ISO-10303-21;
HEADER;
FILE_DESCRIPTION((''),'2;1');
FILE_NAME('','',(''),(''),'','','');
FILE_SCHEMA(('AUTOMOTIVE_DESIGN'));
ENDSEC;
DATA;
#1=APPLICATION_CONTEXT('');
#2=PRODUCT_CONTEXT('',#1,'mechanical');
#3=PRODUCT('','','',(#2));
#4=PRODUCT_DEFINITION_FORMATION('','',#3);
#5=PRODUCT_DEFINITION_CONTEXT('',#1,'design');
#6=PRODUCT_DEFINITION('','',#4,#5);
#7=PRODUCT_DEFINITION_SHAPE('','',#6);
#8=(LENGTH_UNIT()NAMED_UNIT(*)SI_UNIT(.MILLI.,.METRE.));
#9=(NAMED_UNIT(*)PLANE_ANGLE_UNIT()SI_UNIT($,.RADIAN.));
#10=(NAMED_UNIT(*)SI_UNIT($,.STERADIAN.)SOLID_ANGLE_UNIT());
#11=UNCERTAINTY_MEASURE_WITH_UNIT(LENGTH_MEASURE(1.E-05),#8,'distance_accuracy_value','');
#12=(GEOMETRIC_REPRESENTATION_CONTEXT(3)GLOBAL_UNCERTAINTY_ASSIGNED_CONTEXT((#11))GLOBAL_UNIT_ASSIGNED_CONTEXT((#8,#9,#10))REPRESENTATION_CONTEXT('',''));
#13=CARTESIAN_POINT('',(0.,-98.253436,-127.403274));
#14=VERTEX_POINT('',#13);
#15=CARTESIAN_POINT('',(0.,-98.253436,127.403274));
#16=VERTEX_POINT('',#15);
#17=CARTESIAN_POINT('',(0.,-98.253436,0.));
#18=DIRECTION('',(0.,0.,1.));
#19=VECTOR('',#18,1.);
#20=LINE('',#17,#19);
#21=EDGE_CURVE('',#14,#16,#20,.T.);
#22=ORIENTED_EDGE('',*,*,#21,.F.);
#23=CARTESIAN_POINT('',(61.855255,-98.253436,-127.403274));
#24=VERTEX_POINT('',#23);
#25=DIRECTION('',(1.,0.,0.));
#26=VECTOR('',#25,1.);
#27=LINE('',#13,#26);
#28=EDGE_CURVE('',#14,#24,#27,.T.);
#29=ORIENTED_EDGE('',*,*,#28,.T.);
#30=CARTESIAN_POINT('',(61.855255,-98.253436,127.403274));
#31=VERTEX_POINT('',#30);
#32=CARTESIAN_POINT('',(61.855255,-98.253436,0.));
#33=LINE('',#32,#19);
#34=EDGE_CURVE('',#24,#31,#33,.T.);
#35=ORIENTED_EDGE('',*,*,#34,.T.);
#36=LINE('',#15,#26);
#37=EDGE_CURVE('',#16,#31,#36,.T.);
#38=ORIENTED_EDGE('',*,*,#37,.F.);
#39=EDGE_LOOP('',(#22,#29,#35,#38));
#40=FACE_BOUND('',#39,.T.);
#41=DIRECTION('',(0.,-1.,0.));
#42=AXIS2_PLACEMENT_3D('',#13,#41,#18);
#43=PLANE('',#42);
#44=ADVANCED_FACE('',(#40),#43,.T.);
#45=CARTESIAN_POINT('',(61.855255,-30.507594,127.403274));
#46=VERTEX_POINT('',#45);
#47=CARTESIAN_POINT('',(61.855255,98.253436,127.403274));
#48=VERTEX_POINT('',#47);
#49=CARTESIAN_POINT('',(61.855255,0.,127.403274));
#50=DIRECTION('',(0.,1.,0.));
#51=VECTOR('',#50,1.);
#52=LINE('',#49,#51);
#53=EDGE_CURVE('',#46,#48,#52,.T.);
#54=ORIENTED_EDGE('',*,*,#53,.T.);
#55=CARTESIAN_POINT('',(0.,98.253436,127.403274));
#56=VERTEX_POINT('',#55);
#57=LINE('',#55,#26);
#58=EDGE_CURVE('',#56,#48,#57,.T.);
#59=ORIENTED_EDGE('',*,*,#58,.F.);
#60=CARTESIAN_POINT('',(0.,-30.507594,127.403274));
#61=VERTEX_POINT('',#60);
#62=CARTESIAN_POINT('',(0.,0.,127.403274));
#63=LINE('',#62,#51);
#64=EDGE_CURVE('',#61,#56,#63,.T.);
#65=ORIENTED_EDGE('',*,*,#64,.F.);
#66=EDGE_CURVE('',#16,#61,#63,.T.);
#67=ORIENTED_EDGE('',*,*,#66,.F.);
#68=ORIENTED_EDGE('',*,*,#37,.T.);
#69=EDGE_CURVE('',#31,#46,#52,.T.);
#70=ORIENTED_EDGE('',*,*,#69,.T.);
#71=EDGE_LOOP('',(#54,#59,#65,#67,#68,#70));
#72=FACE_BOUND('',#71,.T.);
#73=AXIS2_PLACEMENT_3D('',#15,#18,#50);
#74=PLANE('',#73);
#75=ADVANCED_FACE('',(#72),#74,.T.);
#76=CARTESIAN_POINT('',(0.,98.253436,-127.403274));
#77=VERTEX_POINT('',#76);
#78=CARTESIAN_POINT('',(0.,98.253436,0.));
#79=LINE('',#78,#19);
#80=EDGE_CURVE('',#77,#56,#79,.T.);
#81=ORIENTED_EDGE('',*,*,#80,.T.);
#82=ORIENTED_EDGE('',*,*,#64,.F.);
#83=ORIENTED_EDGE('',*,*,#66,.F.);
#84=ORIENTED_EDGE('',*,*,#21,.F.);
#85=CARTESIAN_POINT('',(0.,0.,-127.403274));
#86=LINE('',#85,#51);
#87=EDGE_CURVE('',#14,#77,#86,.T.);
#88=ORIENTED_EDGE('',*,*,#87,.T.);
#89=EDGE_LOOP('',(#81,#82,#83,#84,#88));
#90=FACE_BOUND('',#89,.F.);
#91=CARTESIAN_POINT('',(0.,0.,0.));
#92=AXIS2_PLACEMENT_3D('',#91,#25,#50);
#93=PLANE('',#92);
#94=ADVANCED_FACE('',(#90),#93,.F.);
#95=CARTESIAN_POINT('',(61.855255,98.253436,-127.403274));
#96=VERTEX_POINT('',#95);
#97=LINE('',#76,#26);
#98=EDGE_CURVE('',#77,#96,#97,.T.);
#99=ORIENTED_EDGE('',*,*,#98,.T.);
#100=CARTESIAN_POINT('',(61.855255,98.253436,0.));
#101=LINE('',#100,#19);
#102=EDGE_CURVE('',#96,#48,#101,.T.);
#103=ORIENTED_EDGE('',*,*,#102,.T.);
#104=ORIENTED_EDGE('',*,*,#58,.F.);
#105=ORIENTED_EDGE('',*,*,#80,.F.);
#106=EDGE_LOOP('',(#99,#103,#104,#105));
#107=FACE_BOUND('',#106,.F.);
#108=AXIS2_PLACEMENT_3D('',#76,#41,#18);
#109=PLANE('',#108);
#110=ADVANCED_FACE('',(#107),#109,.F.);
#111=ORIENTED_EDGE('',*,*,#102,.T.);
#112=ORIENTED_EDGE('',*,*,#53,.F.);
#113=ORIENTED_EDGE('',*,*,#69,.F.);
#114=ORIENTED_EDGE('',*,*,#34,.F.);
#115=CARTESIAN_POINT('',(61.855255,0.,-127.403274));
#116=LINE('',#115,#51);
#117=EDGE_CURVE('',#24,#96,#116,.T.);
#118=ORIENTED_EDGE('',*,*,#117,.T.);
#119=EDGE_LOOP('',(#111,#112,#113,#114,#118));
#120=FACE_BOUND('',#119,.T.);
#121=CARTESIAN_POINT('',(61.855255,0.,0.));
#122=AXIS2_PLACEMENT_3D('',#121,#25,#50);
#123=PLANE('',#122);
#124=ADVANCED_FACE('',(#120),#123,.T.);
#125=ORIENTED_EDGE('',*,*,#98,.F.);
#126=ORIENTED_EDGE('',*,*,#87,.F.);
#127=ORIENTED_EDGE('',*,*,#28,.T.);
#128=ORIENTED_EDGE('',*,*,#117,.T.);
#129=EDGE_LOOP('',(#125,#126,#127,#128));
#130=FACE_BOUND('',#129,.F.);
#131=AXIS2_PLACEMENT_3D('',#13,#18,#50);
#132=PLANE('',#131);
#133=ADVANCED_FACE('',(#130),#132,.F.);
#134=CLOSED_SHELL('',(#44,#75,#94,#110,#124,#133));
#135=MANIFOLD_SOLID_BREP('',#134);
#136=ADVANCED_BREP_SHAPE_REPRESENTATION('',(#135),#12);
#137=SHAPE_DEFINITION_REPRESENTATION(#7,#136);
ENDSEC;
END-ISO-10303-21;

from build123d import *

# Parameters (mm, degrees)
F0_W     = 196.506872
F0_H     = 254.806548
F1_DEPTH = 61.855255
F3_DEPTH = 100.416752


with BuildPart() as f1:
    # F0 (on Right) → F1 (new body)
    with BuildSketch(Plane.YZ):
        Rectangle(F0_W, F0_H)
    extrude(amount=F1_DEPTH)

    # F2 (on face) → F3 (join)
    with BuildSketch(Plane.XY.offset(127.403274)):
        Polygon((61.855255, -30.507594), (0, -30.507594), (31.656865, -55.654023), align=None)
    extrude(amount=-F3_DEPTH)


solid = f1.part
